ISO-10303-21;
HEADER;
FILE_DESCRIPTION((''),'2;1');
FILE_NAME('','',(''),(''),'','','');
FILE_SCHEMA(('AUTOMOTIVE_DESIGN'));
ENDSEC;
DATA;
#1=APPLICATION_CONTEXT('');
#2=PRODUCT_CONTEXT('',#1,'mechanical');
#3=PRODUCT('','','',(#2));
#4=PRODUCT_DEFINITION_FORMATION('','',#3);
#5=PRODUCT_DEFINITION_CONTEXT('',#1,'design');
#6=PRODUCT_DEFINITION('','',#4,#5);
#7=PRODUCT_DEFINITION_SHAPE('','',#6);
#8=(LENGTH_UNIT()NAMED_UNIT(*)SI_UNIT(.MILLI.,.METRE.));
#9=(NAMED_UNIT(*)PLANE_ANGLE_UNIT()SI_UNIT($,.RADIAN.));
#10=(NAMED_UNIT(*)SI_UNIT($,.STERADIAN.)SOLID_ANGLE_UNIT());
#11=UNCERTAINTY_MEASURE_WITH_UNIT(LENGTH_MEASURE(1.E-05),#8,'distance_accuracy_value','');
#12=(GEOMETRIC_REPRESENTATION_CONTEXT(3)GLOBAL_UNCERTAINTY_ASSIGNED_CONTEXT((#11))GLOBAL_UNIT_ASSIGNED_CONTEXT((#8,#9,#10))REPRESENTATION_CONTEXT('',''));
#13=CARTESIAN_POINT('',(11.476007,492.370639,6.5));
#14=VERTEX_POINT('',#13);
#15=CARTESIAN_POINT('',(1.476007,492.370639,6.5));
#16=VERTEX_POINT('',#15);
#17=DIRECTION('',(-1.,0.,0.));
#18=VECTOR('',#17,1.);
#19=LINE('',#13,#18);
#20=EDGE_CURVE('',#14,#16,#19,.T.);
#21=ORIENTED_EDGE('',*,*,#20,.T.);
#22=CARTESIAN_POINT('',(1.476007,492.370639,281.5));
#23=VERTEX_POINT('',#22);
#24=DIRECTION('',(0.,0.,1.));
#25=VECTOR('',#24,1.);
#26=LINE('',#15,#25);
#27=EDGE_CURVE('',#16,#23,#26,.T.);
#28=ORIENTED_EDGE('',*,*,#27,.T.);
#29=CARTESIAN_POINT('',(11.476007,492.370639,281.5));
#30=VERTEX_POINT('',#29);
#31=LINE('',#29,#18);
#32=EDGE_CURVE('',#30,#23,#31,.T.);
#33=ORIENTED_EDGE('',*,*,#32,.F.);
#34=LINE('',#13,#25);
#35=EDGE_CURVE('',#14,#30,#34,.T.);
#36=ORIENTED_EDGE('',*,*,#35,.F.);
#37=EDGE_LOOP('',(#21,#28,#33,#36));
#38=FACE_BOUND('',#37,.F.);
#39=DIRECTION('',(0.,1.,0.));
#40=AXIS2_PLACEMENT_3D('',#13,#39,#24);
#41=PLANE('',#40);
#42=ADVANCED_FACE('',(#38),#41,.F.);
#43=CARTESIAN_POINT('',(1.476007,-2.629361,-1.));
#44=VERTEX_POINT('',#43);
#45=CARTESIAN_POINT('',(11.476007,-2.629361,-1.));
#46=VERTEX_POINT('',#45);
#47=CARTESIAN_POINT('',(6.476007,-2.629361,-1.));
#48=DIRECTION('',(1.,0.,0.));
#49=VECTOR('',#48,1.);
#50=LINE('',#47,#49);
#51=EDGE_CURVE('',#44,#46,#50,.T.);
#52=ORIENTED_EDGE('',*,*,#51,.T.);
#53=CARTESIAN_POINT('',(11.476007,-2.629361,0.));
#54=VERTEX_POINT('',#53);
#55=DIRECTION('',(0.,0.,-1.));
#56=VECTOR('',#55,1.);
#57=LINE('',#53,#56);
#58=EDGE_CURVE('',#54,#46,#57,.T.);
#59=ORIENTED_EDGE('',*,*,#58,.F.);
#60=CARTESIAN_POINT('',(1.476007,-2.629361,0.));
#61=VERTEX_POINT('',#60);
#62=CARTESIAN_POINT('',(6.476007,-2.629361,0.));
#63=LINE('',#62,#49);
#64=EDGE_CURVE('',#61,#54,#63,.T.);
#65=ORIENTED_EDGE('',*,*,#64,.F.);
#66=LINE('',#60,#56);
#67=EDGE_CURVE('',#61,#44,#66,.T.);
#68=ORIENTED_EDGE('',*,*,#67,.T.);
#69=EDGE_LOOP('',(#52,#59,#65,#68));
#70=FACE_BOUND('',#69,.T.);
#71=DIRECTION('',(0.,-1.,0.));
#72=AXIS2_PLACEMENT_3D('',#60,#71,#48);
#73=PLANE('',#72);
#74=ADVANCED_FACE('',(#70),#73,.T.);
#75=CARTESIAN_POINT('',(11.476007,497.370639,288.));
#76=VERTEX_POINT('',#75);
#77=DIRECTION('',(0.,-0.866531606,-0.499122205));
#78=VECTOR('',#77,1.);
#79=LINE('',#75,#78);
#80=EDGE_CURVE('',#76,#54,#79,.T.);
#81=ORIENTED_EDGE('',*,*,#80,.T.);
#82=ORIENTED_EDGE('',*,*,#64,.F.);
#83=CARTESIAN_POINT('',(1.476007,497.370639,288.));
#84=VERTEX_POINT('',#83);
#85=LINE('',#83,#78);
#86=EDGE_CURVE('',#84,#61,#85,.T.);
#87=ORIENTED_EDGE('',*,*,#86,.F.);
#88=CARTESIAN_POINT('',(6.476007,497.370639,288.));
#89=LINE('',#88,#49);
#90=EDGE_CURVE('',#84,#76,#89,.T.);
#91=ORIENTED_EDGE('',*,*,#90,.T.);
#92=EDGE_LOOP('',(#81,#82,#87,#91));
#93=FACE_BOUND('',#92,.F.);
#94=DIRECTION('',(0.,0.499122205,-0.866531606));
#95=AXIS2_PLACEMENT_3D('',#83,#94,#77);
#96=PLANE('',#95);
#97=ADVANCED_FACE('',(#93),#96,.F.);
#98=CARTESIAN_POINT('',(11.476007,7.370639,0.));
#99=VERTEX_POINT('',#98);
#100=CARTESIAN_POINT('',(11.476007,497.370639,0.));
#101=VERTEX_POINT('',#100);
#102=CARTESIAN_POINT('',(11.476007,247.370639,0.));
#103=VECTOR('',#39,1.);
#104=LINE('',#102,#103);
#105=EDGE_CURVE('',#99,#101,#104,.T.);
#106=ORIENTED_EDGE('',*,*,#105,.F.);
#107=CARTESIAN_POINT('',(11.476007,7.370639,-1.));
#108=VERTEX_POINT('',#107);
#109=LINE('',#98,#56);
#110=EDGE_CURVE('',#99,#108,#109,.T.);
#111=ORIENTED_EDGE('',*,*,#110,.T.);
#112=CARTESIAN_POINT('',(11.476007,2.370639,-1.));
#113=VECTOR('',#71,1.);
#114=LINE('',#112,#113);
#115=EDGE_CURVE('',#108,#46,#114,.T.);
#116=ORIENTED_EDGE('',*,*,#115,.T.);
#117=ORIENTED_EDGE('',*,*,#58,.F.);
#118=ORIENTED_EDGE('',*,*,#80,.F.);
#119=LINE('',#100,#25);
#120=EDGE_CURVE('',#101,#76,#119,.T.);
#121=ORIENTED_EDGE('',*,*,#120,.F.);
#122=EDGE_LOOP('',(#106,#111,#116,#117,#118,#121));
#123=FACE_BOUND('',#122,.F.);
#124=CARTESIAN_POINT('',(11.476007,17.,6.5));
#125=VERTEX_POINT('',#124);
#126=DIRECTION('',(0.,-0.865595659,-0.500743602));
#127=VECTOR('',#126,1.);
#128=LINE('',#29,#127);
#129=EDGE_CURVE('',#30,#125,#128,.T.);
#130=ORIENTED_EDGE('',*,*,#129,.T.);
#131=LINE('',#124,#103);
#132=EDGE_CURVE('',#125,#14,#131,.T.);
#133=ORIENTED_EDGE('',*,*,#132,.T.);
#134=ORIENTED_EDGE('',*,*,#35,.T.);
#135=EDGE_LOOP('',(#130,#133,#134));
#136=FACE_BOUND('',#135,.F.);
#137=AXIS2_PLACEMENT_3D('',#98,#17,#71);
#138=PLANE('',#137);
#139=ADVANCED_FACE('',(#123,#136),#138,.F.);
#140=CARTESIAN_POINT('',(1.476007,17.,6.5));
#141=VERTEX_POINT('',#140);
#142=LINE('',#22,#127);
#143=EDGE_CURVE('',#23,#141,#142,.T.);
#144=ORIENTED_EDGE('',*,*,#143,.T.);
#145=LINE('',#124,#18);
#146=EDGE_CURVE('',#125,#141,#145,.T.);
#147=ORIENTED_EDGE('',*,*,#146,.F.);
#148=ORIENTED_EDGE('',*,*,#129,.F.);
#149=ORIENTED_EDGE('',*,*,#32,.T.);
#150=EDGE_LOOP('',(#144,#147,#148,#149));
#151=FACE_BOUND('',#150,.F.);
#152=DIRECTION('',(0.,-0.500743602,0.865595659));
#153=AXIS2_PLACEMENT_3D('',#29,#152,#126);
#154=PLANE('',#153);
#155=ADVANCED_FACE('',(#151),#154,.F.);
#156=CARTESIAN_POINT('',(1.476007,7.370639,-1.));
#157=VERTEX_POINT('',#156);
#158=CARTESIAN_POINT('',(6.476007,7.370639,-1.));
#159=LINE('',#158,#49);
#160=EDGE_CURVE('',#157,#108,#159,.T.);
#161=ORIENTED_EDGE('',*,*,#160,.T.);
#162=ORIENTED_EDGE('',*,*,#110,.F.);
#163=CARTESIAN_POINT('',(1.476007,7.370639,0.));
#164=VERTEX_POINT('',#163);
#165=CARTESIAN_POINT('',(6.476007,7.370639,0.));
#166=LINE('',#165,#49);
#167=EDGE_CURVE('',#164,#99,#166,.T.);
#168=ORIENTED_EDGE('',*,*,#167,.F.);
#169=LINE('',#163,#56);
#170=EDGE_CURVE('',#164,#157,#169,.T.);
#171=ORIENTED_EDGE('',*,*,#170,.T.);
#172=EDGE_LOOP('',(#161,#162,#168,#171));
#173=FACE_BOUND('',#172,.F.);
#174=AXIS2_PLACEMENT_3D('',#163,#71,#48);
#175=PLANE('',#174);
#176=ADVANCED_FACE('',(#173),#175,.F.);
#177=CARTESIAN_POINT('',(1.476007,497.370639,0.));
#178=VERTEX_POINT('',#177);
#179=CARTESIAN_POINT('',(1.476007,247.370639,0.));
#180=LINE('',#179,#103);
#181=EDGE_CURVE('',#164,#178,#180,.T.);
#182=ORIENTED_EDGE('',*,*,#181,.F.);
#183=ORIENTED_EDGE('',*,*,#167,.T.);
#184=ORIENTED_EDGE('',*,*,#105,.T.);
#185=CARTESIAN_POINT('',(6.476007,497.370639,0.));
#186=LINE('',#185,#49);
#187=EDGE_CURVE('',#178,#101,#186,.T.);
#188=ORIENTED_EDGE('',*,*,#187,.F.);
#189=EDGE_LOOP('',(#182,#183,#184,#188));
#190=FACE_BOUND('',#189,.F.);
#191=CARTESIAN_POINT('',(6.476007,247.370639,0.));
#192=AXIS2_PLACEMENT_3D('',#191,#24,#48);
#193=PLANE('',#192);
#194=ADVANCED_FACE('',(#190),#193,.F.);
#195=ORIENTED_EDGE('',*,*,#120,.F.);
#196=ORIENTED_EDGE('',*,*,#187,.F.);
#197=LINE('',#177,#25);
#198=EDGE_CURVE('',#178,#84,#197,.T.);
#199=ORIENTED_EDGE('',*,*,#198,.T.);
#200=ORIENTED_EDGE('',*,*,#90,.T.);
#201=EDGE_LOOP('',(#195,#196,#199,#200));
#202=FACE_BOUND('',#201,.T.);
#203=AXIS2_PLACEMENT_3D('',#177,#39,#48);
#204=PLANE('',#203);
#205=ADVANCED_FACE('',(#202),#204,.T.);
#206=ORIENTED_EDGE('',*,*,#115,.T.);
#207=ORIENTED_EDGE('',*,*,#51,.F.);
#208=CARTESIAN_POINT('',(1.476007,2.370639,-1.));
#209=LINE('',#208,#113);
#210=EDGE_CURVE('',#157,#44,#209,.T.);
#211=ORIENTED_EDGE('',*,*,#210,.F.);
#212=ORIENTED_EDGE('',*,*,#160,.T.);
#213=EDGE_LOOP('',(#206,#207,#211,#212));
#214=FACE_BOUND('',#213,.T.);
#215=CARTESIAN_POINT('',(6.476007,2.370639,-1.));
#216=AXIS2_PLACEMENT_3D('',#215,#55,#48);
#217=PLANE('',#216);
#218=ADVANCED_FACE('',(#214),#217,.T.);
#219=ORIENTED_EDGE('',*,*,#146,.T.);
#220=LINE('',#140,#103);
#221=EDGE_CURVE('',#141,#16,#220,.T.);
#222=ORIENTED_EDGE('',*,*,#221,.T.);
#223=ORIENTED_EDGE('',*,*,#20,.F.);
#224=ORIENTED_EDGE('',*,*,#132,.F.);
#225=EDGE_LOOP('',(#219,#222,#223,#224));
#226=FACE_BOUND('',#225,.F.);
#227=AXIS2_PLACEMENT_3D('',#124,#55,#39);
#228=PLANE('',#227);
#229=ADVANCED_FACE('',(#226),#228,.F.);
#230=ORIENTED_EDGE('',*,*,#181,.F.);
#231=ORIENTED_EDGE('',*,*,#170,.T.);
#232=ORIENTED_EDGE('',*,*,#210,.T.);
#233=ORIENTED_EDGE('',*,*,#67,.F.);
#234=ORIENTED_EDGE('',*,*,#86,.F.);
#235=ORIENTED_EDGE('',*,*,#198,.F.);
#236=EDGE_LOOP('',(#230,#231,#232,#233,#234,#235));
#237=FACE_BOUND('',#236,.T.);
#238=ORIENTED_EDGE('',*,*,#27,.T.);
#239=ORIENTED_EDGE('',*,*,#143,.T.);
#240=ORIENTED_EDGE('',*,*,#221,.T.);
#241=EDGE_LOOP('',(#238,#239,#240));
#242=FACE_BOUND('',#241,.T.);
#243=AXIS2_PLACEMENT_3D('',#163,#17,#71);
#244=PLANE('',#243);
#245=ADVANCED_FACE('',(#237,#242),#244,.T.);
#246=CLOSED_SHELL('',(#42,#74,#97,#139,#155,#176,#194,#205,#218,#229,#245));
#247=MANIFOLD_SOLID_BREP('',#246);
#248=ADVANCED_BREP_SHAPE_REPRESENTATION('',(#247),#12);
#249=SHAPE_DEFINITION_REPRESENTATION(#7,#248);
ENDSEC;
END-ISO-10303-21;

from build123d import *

# Parameters (mm, degrees)
F0_W     = 10
F0_H     = 500
F1_DEPTH = 288
F3_DEPTH = 10
F5_DEPTH = 10
F6_W     = 10
F6_H     = 10
F7_DEPTH = 1


with BuildPart() as f1:
    # F0 (on Top) → F1 (new body)
    with BuildSketch(Plane.XY):
        with Locations((6.476007, 247.370639)):
            Rectangle(F0_W, F0_H)
    extrude(amount=F1_DEPTH)

    # F2 (on face) → F3 (cut)
    with BuildSketch(Plane(origin=(1.476007, 0, 0), x_dir=(0, -1, 0), z_dir=(-1, 0, 0))):
        Polygon((2.629361, 288), (-497.370639, 288), (2.629361, 0), align=None)
    extrude(amount=-F3_DEPTH, mode=Mode.SUBTRACT)

    # F4 (on face) → F5 (cut)
    with BuildSketch(Plane.YZ.offset(11.476007)):
        Polygon((492.370639, 281.5), (17, 6.5), (492.370639, 6.5), align=None)
    extrude(amount=-F5_DEPTH, mode=Mode.SUBTRACT)

    # F6 (on face) → F7 (join)
    with BuildSketch(Plane(origin=(0, 0, 0), x_dir=(1, 0, 0), z_dir=(0, 0, -1))):
        with Locations((6.476007, -2.370639)):
            Rectangle(F6_W, F6_H)
    extrude(amount=F7_DEPTH)


solid = f1.part
